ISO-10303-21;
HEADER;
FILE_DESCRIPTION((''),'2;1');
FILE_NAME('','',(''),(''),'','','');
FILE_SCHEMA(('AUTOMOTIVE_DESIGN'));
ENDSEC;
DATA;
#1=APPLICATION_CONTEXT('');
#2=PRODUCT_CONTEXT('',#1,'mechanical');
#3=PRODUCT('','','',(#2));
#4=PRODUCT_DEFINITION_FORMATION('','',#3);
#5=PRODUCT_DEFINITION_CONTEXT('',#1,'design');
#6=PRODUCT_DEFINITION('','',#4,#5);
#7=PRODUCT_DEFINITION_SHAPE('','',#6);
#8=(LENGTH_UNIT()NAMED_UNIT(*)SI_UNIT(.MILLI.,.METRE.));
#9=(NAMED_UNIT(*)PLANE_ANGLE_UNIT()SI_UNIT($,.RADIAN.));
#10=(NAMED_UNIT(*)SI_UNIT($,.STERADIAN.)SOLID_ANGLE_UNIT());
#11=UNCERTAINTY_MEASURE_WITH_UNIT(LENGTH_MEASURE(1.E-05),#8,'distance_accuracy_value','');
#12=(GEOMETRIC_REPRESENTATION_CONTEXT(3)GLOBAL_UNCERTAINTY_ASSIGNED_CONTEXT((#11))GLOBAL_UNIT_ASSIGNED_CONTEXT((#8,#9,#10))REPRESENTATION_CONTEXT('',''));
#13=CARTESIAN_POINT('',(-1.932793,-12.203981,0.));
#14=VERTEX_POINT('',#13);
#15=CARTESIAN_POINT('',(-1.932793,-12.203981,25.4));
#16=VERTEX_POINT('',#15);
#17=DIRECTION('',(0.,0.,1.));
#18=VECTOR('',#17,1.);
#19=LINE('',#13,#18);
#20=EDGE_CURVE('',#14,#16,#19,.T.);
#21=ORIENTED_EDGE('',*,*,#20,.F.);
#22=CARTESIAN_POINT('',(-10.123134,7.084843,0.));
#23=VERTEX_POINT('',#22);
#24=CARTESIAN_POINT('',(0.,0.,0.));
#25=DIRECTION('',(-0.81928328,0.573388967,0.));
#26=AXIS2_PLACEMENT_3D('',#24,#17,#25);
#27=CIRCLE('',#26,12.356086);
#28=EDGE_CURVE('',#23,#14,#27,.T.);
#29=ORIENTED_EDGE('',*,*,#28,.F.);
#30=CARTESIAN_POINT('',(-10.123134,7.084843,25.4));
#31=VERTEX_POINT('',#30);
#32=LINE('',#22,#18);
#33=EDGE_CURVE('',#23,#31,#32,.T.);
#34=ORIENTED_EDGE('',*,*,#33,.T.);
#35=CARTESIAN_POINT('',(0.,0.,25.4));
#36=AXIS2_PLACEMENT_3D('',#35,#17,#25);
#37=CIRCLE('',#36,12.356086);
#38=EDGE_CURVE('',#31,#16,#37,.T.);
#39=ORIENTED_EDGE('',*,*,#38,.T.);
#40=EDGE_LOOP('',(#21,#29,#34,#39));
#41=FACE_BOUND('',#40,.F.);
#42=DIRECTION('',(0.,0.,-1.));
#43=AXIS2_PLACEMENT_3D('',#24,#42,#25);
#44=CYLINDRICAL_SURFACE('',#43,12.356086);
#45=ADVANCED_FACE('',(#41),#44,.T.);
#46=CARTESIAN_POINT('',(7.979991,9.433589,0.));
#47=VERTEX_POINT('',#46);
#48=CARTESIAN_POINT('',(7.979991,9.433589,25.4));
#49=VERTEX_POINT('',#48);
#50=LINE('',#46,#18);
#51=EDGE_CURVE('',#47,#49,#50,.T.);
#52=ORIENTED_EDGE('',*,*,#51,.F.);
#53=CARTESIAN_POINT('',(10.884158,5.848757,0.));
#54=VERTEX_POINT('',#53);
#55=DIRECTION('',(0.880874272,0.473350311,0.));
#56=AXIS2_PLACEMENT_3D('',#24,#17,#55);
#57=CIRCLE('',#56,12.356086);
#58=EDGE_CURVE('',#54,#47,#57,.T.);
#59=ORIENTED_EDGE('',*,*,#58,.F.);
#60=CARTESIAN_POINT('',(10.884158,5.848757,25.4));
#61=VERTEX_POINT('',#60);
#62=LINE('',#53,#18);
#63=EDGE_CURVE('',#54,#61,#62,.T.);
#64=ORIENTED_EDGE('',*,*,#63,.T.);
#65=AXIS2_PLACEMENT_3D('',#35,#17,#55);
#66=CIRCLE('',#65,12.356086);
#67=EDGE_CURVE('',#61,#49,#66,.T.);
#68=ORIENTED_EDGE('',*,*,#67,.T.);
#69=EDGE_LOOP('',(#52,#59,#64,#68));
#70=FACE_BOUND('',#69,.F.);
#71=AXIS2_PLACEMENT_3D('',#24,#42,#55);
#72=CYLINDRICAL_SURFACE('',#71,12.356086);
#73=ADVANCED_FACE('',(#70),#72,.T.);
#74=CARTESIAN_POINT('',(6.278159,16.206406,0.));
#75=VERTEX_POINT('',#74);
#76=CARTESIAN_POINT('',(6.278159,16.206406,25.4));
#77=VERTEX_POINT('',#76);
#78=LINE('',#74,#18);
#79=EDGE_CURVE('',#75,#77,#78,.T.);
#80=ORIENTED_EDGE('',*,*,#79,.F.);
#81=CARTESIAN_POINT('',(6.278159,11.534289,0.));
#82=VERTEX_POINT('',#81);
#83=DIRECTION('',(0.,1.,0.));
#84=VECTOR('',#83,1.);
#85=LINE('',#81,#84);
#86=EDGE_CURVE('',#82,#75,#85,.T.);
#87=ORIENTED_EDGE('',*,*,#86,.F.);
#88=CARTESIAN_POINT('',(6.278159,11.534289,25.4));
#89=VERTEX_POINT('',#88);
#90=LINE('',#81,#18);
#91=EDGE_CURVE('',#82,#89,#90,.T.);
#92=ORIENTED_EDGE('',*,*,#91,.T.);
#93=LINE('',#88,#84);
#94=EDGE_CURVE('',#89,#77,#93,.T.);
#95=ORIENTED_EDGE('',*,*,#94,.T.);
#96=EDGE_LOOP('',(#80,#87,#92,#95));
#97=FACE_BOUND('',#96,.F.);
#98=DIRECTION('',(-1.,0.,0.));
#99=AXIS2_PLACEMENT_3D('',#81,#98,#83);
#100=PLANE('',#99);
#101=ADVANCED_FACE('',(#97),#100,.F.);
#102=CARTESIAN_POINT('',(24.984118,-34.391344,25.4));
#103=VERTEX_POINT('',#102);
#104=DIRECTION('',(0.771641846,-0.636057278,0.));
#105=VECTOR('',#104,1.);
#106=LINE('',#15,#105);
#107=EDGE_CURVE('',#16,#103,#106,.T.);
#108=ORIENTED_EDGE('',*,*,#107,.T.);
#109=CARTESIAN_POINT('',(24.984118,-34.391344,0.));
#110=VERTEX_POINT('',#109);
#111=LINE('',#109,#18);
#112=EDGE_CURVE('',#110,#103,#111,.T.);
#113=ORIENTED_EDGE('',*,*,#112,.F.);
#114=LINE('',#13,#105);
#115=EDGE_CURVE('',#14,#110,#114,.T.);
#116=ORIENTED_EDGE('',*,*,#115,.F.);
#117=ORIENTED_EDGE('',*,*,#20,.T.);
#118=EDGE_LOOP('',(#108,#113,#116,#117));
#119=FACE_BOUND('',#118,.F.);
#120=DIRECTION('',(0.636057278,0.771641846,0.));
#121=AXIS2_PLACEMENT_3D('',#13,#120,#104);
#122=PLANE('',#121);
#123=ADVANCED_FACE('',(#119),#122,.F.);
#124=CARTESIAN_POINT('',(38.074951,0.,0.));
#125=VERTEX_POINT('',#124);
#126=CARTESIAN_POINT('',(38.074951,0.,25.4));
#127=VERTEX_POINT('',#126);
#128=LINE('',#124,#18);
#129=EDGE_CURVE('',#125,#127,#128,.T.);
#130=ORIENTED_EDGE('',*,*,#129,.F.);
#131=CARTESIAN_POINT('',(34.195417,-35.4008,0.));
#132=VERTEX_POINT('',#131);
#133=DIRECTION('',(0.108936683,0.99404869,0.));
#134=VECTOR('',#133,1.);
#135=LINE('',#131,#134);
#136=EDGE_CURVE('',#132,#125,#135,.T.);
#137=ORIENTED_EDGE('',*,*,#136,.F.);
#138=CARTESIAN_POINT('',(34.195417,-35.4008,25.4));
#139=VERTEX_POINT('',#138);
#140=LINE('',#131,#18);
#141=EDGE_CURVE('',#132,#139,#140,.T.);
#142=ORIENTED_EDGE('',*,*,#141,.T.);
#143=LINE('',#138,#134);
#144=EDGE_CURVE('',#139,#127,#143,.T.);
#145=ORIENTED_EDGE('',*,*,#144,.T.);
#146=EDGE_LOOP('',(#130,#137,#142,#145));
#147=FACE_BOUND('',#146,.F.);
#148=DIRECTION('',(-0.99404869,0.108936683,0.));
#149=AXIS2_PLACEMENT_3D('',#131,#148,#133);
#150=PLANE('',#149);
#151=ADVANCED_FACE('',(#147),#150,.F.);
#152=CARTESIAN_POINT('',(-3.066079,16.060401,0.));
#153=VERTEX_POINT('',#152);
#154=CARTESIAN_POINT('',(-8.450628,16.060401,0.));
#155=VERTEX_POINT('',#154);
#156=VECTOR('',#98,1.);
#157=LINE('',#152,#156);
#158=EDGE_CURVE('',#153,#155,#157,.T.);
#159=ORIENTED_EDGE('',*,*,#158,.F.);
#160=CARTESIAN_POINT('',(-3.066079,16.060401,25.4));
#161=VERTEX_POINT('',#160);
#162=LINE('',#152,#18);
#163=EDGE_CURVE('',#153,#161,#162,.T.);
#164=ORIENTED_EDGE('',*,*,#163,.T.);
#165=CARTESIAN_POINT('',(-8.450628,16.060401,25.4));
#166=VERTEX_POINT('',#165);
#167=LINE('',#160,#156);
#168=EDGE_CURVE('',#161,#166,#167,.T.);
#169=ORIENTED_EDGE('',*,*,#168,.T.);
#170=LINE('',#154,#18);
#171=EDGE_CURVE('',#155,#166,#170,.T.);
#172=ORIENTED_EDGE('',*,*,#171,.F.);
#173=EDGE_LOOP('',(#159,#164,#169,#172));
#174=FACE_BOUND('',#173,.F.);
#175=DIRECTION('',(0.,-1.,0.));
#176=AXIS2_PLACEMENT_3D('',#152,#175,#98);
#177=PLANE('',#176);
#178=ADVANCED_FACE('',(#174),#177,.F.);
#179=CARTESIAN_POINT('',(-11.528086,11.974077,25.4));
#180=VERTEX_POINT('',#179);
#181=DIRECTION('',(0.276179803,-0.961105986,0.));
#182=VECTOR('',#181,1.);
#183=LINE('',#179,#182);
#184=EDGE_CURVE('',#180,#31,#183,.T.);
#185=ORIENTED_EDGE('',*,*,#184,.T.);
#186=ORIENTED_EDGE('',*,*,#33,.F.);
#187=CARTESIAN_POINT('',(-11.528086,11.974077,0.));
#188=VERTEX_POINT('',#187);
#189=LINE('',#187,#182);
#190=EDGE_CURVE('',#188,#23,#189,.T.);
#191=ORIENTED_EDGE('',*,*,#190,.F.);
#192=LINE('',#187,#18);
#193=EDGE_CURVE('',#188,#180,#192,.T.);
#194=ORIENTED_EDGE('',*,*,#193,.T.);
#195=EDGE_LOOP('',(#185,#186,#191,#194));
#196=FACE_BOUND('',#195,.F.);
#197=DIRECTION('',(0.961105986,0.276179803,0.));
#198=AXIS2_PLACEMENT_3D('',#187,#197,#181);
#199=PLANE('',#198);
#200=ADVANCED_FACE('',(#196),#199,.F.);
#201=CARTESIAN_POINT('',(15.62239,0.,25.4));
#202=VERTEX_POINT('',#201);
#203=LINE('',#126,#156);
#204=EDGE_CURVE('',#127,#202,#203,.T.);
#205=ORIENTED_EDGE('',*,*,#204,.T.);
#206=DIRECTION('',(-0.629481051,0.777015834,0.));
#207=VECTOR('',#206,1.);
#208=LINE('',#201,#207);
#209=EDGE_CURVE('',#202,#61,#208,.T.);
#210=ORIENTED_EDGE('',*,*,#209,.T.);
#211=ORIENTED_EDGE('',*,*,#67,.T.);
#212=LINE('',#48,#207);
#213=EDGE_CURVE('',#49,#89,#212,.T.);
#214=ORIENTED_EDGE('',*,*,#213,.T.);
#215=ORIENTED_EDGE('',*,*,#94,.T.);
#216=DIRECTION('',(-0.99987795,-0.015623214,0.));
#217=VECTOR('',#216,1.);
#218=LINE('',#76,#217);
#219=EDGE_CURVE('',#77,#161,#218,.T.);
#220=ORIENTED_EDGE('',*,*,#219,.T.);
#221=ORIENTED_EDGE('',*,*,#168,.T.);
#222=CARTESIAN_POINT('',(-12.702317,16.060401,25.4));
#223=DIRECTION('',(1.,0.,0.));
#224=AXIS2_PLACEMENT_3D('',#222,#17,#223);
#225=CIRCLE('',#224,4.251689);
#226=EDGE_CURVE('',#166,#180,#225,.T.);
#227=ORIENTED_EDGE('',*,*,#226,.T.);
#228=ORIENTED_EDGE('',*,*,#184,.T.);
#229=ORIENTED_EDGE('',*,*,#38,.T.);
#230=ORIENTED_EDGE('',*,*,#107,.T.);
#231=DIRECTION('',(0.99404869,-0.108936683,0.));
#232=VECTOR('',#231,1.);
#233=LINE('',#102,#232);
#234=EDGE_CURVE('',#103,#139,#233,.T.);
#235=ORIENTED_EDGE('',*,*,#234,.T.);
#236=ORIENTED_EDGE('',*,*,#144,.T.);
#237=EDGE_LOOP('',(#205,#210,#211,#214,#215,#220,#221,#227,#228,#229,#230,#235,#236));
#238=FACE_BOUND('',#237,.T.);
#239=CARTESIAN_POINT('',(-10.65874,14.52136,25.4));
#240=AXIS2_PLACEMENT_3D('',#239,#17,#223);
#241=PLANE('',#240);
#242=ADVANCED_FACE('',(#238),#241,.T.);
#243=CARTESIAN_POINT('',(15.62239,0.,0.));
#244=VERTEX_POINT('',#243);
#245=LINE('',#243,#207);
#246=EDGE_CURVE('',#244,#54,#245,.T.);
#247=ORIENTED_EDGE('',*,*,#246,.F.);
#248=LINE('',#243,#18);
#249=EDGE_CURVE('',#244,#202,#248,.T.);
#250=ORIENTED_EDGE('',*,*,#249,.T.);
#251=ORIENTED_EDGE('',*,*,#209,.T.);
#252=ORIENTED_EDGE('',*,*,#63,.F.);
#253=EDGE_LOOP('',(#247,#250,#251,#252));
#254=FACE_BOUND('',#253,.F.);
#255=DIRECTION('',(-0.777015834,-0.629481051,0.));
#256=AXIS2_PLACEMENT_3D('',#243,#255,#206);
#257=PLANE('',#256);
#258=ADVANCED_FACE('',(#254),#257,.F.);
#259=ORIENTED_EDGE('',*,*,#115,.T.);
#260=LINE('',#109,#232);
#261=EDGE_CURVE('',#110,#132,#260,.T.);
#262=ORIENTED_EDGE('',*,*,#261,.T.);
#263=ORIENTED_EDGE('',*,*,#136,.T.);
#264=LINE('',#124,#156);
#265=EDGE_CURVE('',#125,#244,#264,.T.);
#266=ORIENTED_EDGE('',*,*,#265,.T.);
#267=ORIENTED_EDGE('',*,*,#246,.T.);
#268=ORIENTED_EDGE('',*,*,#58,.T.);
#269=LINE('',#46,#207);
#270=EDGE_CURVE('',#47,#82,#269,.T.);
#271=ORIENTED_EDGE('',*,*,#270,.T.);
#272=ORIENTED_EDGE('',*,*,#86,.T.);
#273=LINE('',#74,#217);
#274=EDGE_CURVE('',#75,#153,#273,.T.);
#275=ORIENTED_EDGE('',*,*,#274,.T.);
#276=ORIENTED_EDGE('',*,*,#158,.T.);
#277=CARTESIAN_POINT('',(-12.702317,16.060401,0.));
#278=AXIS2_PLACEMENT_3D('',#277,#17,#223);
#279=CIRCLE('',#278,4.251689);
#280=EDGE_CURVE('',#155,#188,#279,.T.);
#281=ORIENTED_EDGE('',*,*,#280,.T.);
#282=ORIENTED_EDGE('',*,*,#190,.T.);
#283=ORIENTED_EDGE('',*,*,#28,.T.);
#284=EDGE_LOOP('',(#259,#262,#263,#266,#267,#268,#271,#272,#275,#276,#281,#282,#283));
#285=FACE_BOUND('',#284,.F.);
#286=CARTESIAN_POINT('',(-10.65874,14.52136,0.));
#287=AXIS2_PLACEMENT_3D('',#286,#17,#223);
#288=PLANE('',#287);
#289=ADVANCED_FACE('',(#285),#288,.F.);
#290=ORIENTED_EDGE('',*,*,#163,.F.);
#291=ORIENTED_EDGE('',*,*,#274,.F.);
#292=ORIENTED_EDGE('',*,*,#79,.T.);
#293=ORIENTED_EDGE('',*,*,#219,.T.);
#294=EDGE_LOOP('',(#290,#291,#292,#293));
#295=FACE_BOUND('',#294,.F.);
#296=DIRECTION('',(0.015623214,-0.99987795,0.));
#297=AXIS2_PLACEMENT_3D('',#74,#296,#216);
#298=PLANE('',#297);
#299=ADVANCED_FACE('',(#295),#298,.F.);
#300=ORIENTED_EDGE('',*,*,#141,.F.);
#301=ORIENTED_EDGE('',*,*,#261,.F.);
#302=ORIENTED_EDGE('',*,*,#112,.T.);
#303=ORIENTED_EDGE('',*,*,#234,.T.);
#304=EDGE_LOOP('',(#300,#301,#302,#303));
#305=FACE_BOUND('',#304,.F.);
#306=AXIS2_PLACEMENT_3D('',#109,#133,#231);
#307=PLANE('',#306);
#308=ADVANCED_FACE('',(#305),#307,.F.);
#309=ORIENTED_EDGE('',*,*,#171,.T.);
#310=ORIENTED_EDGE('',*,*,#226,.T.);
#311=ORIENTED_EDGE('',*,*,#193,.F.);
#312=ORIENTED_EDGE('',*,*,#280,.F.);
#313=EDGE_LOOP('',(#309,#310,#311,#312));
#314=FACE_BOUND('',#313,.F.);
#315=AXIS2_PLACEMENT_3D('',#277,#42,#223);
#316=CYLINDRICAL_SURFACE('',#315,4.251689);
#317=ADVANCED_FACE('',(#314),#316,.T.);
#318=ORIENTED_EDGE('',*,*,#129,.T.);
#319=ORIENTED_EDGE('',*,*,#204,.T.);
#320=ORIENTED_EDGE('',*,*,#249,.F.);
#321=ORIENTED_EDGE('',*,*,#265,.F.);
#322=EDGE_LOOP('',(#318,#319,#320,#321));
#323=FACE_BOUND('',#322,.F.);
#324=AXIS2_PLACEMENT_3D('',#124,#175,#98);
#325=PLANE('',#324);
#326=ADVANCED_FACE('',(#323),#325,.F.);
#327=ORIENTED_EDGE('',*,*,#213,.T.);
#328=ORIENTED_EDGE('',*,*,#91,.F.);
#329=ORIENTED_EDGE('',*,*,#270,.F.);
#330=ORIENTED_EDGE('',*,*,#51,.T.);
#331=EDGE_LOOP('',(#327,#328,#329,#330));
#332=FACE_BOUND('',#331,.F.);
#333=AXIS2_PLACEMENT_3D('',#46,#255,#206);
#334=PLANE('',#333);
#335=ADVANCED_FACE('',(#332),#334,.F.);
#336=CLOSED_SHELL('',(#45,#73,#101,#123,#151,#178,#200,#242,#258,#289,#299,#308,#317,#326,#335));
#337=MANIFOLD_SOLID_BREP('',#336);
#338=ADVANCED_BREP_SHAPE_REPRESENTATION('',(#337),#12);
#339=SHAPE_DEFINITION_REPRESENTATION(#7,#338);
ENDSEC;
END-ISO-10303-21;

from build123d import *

# Parameters (mm, degrees)
F1_DEPTH = 25.4


with BuildPart() as f1:
    # F0 (on Top) → F1 (new body)
    with BuildSketch(Plane.XY):
        with BuildLine():
            ThreePointArc((-11.5280862518, 11.9740771452), (-9.3060450139, 13.5026289487), (-8.4506276376, 16.0604012199))
            Line((-8.4506276376, 16.0604012199), (-12.7023169771, 16.0604012199))
            Line((-12.7023169771, 16.0604012199), (-11.5280862518, 11.9740771452))
        make_face()
        with BuildLine():
            Line((-12.7023169771, 16.0604012199), (-8.4506276376, 16.0604012199))
            ThreePointArc((-8.4506276376, 16.0604012199), (-16.0985889403, 18.618173491), (-11.5280862518, 11.9740771452))
            Line((-11.5280862518, 11.9740771452), (-12.7023169771, 16.0604012199))
        make_face()
        with BuildLine():
            Line((-5.4021365941, -9.3442336656), (-10.1231343538, 7.0848431638))
            ThreePointArc((-10.1231343538, 7.0848431638), (-11.3732597099, -4.8292665459), (-1.9327933728, -12.2039813823))
            Line((-1.9327933728, -12.2039813823), (-5.4021365941, -9.3442336656))
        make_face()
        with BuildLine():
            Line((10.8841579252, 5.848756967), (7.9799911964, 9.4335885169))
            ThreePointArc((7.9799911964, 9.4335885169), (-1.5897851527, 12.2533846332), (-10.1231343538, 7.0848431638))
            Line((-10.1231343538, 7.0848431638), (-5.4021365941, -9.3442336656))
            Line((-5.4021365941, -9.3442336656), (12.2656914725, -1.4918661143))
            ThreePointArc((12.2656914725, -1.4918661143), (12.3334663781, -0.747301078), (12.3560856181, 0))
            ThreePointArc((12.3560856181, 0), (11.9824546526, 3.0155650048), (10.8841579252, 5.848756967))
        make_face()
        with BuildLine():
            ThreePointArc((10.8841579252, 5.848756967), (9.6008741702, 7.7779217642), (7.9799911964, 9.4335885169))
            Line((7.9799911964, 9.4335885169), (10.8841579252, 5.848756967))
        make_face()
        with BuildLine():
            Line((12.2656914725, -1.4918661143), (-5.4021365941, -9.3442336656))
            Line((-5.4021365941, -9.3442336656), (-1.9327933728, -12.2039813823))
            ThreePointArc((-1.9327933728, -12.2039813823), (7.441743691, -9.8637367482), (12.2656914725, -1.4918661143))
        make_face()
        with BuildLine():
            Line((6.2781586312, 14.0163511969), (-3.0660787597, 16.0604012199))
            Line((-3.0660787597, 16.0604012199), (-8.4506276376, 16.0604012199))
            ThreePointArc((-8.4506276376, 16.0604012199), (-9.3060450139, 13.5026289487), (-11.5280862518, 11.9740771452))
            Line((-11.5280862518, 11.9740771452), (-10.1231343538, 7.0848431638))
            ThreePointArc((-10.1231343538, 7.0848431638), (-1.5897851527, 12.2533846332), (7.9799911964, 9.4335885169))
            Line((7.9799911964, 9.4335885169), (6.2781586312, 11.5342885256))
            Line((6.2781586312, 11.5342885256), (6.2781586312, 14.0163511969))
        make_face()
        Polygon((6.2781586312, 16.2064060569), (-3.0660787597, 16.0604012199), (6.2781586312, 14.0163511969), align=None)
        with BuildLine():
            Line((15.6223904341, 0), (10.8841579252, 5.848756967))
            ThreePointArc((10.8841579252, 5.848756967), (11.9824546526, 3.0155650048), (12.3560856181, 0))
            ThreePointArc((12.3560856181, 0), (12.3334663781, -0.747301078), (12.2656914725, -1.4918661143))
            Line((12.2656914725, -1.4918661143), (15.6223904341, 0))
        make_face()
        with BuildLine():
            ThreePointArc((12.2656914725, -1.4918661143), (7.441743691, -9.8637367482), (-1.9327933728, -12.2039813823))
            Line((-1.9327933728, -12.2039813823), (24.9841175973, -34.3913435936))
            Line((24.9841175973, -34.3913435936), (34.1954171008, -35.400799596))
            Line((34.1954171008, -35.400799596), (38.0749511044, 0))
            Line((38.0749511044, 0), (15.6223904341, 0))
            Line((15.6223904341, 0), (12.2656914725, -1.4918661143))
        make_face()
    extrude(amount=F1_DEPTH)


solid = f1.part
